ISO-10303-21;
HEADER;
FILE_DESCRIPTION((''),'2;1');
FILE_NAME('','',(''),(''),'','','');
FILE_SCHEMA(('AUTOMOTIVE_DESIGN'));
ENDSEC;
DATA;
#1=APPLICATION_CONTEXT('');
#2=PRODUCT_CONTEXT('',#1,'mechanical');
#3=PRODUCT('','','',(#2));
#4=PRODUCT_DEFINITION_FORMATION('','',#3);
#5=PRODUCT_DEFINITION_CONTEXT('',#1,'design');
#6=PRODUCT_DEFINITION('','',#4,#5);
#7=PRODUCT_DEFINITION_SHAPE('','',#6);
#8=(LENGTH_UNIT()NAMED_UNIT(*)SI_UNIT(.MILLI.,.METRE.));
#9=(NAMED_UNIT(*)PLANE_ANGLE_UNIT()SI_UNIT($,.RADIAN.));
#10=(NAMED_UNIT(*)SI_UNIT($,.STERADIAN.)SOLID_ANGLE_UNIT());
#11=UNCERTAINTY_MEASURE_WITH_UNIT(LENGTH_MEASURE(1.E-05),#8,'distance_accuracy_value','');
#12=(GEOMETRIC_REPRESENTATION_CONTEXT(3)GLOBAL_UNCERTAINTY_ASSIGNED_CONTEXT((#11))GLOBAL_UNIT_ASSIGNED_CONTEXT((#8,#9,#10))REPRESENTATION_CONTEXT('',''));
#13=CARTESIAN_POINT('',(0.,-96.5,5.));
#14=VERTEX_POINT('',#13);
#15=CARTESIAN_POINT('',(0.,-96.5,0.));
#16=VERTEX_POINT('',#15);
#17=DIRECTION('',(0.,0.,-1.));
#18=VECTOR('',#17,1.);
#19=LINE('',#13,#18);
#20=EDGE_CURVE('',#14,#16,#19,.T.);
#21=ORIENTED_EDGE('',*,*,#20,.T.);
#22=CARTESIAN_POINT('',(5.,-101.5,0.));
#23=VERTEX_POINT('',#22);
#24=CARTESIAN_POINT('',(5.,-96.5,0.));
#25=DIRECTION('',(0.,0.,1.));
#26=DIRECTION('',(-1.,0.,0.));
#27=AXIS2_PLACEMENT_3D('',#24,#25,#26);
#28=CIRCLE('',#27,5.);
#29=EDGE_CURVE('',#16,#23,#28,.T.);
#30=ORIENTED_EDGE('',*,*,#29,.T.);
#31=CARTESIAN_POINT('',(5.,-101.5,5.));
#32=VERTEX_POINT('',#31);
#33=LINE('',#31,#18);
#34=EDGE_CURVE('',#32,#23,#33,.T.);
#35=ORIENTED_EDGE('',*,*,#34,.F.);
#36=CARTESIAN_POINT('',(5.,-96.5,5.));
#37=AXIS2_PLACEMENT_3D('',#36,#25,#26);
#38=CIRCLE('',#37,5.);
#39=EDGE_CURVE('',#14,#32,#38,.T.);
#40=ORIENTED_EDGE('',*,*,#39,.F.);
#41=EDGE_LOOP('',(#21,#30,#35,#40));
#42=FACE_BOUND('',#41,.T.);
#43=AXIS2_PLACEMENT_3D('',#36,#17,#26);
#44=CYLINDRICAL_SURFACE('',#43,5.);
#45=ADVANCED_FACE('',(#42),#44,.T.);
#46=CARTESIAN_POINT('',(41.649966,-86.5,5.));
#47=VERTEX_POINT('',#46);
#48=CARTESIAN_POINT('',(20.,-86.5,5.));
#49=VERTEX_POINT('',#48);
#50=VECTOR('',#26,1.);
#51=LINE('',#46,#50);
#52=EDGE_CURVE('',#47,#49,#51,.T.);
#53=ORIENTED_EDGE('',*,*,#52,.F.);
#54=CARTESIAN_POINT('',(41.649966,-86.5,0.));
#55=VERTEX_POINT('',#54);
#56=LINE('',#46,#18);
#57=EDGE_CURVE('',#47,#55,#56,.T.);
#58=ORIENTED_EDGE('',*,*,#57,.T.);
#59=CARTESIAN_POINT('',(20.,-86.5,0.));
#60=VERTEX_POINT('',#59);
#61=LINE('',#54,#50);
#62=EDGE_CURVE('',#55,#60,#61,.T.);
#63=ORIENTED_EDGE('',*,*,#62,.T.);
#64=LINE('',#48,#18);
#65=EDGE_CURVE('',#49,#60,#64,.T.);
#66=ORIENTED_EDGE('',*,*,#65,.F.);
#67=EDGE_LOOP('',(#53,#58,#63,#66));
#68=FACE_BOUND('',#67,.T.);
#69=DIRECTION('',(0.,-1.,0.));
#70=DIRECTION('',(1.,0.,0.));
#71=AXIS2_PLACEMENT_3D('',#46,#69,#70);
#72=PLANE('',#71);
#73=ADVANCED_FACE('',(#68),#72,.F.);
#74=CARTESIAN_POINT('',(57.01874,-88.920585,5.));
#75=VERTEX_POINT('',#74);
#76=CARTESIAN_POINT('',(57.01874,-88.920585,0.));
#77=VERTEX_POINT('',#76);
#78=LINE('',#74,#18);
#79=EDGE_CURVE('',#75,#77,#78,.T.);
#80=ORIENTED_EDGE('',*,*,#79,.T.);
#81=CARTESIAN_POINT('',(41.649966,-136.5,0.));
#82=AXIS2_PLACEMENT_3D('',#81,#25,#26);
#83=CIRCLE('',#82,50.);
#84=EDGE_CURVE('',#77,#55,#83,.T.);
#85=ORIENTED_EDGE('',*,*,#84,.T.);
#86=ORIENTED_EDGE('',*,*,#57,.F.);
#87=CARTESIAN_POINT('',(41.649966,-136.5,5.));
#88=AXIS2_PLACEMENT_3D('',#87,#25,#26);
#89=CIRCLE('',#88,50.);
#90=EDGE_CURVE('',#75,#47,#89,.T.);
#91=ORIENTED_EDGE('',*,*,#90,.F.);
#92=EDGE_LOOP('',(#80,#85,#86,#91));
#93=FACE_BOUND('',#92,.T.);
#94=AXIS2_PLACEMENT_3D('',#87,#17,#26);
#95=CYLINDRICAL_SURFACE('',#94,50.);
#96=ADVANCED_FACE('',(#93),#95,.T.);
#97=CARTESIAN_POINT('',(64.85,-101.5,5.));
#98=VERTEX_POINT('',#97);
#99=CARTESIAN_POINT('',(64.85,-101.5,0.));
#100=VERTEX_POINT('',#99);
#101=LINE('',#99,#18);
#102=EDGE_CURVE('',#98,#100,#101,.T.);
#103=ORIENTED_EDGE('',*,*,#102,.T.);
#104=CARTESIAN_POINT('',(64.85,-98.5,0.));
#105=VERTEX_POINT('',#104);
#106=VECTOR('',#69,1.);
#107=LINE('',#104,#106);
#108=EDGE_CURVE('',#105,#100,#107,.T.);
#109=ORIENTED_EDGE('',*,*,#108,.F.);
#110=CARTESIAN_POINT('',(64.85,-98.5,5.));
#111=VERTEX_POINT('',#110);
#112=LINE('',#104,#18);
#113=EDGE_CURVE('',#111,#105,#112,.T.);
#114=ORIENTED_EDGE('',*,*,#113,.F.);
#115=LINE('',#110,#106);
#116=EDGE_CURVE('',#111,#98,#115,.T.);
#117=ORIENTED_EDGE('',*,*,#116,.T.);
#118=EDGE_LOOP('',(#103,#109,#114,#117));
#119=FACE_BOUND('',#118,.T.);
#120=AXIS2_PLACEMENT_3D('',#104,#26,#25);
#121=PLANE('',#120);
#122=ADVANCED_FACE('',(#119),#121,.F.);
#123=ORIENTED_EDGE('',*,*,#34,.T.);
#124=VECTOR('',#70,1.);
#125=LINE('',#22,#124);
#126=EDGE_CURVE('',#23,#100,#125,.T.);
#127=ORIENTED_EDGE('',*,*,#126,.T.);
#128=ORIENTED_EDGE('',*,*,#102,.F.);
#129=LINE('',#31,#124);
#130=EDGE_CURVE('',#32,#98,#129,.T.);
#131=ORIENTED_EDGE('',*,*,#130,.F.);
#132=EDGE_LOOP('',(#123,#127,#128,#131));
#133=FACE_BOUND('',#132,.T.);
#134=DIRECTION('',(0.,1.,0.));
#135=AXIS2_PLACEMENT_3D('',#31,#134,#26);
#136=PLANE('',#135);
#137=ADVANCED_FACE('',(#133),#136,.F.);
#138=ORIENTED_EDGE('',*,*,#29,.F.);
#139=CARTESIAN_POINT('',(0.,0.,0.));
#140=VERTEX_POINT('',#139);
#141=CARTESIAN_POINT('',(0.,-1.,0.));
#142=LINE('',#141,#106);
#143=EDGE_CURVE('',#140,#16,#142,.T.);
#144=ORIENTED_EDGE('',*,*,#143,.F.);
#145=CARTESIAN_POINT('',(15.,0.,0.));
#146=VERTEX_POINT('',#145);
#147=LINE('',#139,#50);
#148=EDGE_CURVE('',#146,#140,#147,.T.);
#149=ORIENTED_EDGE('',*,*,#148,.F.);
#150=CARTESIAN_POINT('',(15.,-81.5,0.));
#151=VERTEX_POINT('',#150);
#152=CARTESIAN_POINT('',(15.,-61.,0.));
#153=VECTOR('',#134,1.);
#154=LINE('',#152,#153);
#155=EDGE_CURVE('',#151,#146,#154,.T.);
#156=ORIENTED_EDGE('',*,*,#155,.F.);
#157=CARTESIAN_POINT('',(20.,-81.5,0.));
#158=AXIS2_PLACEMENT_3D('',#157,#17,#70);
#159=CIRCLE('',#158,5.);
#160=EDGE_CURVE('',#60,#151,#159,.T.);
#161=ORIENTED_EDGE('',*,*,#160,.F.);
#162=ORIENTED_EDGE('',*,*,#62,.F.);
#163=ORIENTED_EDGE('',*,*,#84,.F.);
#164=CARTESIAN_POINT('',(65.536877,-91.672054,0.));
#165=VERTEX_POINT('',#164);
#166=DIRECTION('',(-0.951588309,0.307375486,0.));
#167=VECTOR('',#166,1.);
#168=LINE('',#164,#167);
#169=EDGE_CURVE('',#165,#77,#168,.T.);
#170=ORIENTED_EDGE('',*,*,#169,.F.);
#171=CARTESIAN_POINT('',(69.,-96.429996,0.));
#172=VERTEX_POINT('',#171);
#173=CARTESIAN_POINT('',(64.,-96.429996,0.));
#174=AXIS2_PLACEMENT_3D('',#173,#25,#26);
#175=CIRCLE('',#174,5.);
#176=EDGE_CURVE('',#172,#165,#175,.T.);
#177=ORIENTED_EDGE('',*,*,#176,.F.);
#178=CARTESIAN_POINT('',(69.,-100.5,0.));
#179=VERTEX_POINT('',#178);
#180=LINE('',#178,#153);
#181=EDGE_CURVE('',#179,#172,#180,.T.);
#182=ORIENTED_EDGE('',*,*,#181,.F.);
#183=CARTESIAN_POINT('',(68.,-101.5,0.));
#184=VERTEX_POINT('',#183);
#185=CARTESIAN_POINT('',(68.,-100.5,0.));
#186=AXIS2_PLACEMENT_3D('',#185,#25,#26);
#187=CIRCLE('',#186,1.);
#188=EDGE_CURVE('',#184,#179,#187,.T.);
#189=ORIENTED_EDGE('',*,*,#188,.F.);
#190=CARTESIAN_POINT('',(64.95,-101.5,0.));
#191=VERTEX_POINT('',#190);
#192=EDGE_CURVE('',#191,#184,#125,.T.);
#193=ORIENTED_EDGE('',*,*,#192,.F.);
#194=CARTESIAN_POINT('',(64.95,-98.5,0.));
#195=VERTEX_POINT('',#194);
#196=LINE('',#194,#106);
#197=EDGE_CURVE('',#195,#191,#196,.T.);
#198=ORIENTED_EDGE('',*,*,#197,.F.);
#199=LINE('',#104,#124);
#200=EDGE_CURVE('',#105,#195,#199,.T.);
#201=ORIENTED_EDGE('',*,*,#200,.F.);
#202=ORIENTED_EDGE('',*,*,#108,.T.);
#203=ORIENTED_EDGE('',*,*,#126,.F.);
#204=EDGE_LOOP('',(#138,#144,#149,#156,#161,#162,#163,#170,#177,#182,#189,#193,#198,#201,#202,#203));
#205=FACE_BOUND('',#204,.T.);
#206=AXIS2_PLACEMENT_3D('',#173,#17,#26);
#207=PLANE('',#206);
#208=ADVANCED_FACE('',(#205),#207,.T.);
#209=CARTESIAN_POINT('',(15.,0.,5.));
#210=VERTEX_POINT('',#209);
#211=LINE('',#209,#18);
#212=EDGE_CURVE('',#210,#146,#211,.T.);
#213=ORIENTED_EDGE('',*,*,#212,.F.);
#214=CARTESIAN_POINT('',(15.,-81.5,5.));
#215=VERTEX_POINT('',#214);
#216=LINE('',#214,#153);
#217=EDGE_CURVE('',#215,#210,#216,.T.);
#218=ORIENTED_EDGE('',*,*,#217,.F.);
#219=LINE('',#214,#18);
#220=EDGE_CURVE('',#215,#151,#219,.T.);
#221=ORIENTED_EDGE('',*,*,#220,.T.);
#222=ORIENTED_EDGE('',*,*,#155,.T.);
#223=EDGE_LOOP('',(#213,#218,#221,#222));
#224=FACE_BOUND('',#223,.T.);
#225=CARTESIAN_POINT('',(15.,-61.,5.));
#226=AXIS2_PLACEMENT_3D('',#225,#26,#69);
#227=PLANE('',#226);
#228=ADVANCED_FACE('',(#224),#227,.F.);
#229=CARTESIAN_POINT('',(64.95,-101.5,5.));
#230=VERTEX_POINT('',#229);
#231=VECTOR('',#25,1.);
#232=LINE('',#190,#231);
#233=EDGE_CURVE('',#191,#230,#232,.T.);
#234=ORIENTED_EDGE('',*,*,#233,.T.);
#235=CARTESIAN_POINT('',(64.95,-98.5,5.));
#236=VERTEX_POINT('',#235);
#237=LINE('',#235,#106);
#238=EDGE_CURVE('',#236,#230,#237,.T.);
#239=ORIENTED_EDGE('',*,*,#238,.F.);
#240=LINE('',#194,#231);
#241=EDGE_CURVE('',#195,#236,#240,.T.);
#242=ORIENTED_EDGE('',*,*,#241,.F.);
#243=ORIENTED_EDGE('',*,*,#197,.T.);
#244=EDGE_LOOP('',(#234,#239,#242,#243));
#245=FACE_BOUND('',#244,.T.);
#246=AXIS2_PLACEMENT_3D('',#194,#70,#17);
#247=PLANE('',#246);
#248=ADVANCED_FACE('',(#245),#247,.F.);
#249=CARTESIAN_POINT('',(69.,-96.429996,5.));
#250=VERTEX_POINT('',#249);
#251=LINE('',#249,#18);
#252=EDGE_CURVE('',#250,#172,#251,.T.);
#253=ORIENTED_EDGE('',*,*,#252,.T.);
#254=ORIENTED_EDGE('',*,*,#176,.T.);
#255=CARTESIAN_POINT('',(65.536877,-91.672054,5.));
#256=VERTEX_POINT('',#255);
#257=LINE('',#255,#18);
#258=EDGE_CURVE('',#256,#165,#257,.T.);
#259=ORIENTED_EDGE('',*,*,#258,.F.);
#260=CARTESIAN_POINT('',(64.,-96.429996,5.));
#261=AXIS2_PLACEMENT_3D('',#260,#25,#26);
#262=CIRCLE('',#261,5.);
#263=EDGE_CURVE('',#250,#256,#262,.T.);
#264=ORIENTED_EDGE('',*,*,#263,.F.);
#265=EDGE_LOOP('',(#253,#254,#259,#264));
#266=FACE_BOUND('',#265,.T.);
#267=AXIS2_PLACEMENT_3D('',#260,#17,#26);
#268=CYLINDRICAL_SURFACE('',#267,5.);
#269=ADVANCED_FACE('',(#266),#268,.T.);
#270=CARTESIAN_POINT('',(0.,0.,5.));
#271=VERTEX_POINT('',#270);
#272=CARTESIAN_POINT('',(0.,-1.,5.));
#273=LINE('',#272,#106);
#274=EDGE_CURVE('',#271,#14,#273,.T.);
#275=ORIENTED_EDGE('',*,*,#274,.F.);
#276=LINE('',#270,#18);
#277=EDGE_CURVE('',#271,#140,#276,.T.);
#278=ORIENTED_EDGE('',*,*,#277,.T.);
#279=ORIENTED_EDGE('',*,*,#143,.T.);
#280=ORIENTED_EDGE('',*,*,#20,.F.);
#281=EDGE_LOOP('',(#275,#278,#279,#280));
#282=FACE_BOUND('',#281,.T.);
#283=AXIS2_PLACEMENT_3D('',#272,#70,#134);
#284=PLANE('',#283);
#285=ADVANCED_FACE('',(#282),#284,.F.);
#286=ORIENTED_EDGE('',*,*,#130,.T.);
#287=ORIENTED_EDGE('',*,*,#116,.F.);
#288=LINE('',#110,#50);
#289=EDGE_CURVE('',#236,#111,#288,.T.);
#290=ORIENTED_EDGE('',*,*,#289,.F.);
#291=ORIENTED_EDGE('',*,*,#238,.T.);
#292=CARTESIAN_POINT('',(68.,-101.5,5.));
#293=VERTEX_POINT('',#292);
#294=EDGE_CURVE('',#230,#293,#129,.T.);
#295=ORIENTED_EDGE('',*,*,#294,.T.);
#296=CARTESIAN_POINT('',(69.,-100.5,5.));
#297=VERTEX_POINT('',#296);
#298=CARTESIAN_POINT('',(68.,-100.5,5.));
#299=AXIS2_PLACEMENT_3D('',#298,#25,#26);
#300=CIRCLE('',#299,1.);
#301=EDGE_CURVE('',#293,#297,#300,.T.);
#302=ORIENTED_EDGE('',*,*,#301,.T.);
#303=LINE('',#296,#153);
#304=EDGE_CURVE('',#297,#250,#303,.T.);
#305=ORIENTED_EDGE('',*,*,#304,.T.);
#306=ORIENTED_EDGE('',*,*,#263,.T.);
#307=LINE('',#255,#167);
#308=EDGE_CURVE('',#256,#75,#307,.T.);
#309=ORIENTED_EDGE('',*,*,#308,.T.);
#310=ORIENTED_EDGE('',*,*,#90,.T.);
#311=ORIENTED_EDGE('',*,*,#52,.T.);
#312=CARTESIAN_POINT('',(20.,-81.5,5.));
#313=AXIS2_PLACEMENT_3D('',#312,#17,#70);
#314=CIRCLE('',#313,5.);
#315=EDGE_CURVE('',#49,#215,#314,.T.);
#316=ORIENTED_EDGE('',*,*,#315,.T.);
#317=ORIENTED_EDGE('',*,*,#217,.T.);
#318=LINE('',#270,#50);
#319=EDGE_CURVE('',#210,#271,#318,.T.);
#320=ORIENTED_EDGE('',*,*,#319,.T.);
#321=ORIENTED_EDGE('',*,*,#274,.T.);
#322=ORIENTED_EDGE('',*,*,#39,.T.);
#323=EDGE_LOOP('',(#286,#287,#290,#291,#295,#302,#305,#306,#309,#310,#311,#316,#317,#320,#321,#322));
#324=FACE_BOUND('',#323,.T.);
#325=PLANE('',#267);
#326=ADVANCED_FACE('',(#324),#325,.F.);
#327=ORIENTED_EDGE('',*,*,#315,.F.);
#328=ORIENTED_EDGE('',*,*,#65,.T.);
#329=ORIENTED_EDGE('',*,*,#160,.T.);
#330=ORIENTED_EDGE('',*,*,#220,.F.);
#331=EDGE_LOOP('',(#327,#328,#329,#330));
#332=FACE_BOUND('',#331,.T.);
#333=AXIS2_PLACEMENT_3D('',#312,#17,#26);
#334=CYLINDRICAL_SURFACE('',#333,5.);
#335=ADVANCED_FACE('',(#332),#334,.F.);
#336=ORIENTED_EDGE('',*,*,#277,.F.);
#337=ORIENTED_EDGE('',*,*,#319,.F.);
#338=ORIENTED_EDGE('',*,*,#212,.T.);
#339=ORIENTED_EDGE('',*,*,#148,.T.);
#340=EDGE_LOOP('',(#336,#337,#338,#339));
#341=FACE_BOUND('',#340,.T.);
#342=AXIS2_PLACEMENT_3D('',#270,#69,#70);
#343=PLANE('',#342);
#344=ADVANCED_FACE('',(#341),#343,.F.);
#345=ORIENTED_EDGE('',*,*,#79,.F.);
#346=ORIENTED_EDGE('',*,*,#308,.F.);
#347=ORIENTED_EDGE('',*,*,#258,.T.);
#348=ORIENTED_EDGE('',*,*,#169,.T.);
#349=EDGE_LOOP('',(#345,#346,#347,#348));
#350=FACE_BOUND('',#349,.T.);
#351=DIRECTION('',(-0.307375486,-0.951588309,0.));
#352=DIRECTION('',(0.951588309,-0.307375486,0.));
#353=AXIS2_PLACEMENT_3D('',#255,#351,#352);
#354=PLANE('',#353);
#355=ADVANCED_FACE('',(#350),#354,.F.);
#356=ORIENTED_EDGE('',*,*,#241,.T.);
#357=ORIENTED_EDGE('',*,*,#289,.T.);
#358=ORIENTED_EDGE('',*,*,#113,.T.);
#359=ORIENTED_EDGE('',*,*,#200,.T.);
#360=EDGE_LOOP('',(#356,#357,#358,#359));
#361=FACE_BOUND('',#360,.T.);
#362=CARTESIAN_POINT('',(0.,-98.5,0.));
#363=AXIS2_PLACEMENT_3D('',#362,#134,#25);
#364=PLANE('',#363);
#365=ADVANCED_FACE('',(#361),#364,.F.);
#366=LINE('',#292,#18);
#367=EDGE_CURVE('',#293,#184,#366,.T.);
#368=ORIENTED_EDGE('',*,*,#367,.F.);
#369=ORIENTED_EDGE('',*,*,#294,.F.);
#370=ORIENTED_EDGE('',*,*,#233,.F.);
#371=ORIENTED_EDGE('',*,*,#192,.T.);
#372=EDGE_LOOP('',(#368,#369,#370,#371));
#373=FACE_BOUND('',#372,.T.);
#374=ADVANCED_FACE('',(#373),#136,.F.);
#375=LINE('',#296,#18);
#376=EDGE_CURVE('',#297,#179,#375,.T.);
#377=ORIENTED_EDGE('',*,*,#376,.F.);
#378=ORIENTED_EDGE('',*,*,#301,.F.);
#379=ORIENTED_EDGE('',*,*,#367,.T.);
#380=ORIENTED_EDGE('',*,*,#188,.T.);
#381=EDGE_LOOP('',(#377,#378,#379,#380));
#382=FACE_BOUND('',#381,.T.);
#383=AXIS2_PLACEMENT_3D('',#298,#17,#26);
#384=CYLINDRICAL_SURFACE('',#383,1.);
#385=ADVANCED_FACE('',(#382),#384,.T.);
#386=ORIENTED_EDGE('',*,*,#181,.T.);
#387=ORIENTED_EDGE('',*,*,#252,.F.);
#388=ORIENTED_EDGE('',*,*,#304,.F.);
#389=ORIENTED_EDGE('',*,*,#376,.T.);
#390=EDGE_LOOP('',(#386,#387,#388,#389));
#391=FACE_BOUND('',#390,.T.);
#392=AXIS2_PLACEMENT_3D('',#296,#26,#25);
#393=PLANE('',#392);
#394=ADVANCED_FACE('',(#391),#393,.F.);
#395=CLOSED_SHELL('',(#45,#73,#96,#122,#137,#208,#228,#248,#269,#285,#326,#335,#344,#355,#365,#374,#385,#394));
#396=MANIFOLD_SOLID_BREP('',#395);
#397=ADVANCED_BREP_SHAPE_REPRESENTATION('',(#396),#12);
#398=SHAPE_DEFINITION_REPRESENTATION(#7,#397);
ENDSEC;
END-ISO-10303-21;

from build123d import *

# Parameters (mm, degrees)
BOSS_EXTRUDE1_DEPTH = 5
SKETCH2_W           = 0.1
SKETCH2_H           = 5
CUT_EXTRUDE2_DEPTH  = 3


with BuildPart() as part:
    # Sketch1 → Boss-Extrude1 (new body)
    with BuildSketch(Plane.XY):
        with BuildLine():
            Line((0, -1), (0, -96.5))
            ThreePointArc((0, -96.5), (1.464466094, -100.035533906), (5, -101.5))
            Line((5, -101.5), (68, -101.5))
            ThreePointArc((68, -101.5), (68.707106781, -101.207106781), (69, -100.5))
            Line((69, -100.5), (69, -96.429996046))
            ThreePointArc((69, -96.429996046), (68.042547906, -93.487580979), (65.53687743, -91.672054499))
            Line((65.53687743, -91.672054499), (57.01873992, -88.920584529))
            ThreePointArc((57.01873992, -88.920584529), (49.429079532, -87.108853154), (41.649965621, -86.5))
            Line((41.649965621, -86.5), (20, -86.5))
            ThreePointArc((20, -86.5), (16.464466094, -85.035533906), (15, -81.5))
            Line((15, -81.5), (15, -61))
            Line((15, -61), (15, 0))
            Line((15, 0), (0, 0))
            Line((0, 0), (0, -1))
        make_face()
    extrude(amount=BOSS_EXTRUDE1_DEPTH)

    # Sketch2 → Cut-Extrude2 (cut)
    with BuildSketch(Plane.XZ.offset(101.5)):
        with Locations((64.9, 2.5)):
            Rectangle(SKETCH2_W, SKETCH2_H)
    extrude(amount=-CUT_EXTRUDE2_DEPTH, mode=Mode.SUBTRACT)


solid = part.part
